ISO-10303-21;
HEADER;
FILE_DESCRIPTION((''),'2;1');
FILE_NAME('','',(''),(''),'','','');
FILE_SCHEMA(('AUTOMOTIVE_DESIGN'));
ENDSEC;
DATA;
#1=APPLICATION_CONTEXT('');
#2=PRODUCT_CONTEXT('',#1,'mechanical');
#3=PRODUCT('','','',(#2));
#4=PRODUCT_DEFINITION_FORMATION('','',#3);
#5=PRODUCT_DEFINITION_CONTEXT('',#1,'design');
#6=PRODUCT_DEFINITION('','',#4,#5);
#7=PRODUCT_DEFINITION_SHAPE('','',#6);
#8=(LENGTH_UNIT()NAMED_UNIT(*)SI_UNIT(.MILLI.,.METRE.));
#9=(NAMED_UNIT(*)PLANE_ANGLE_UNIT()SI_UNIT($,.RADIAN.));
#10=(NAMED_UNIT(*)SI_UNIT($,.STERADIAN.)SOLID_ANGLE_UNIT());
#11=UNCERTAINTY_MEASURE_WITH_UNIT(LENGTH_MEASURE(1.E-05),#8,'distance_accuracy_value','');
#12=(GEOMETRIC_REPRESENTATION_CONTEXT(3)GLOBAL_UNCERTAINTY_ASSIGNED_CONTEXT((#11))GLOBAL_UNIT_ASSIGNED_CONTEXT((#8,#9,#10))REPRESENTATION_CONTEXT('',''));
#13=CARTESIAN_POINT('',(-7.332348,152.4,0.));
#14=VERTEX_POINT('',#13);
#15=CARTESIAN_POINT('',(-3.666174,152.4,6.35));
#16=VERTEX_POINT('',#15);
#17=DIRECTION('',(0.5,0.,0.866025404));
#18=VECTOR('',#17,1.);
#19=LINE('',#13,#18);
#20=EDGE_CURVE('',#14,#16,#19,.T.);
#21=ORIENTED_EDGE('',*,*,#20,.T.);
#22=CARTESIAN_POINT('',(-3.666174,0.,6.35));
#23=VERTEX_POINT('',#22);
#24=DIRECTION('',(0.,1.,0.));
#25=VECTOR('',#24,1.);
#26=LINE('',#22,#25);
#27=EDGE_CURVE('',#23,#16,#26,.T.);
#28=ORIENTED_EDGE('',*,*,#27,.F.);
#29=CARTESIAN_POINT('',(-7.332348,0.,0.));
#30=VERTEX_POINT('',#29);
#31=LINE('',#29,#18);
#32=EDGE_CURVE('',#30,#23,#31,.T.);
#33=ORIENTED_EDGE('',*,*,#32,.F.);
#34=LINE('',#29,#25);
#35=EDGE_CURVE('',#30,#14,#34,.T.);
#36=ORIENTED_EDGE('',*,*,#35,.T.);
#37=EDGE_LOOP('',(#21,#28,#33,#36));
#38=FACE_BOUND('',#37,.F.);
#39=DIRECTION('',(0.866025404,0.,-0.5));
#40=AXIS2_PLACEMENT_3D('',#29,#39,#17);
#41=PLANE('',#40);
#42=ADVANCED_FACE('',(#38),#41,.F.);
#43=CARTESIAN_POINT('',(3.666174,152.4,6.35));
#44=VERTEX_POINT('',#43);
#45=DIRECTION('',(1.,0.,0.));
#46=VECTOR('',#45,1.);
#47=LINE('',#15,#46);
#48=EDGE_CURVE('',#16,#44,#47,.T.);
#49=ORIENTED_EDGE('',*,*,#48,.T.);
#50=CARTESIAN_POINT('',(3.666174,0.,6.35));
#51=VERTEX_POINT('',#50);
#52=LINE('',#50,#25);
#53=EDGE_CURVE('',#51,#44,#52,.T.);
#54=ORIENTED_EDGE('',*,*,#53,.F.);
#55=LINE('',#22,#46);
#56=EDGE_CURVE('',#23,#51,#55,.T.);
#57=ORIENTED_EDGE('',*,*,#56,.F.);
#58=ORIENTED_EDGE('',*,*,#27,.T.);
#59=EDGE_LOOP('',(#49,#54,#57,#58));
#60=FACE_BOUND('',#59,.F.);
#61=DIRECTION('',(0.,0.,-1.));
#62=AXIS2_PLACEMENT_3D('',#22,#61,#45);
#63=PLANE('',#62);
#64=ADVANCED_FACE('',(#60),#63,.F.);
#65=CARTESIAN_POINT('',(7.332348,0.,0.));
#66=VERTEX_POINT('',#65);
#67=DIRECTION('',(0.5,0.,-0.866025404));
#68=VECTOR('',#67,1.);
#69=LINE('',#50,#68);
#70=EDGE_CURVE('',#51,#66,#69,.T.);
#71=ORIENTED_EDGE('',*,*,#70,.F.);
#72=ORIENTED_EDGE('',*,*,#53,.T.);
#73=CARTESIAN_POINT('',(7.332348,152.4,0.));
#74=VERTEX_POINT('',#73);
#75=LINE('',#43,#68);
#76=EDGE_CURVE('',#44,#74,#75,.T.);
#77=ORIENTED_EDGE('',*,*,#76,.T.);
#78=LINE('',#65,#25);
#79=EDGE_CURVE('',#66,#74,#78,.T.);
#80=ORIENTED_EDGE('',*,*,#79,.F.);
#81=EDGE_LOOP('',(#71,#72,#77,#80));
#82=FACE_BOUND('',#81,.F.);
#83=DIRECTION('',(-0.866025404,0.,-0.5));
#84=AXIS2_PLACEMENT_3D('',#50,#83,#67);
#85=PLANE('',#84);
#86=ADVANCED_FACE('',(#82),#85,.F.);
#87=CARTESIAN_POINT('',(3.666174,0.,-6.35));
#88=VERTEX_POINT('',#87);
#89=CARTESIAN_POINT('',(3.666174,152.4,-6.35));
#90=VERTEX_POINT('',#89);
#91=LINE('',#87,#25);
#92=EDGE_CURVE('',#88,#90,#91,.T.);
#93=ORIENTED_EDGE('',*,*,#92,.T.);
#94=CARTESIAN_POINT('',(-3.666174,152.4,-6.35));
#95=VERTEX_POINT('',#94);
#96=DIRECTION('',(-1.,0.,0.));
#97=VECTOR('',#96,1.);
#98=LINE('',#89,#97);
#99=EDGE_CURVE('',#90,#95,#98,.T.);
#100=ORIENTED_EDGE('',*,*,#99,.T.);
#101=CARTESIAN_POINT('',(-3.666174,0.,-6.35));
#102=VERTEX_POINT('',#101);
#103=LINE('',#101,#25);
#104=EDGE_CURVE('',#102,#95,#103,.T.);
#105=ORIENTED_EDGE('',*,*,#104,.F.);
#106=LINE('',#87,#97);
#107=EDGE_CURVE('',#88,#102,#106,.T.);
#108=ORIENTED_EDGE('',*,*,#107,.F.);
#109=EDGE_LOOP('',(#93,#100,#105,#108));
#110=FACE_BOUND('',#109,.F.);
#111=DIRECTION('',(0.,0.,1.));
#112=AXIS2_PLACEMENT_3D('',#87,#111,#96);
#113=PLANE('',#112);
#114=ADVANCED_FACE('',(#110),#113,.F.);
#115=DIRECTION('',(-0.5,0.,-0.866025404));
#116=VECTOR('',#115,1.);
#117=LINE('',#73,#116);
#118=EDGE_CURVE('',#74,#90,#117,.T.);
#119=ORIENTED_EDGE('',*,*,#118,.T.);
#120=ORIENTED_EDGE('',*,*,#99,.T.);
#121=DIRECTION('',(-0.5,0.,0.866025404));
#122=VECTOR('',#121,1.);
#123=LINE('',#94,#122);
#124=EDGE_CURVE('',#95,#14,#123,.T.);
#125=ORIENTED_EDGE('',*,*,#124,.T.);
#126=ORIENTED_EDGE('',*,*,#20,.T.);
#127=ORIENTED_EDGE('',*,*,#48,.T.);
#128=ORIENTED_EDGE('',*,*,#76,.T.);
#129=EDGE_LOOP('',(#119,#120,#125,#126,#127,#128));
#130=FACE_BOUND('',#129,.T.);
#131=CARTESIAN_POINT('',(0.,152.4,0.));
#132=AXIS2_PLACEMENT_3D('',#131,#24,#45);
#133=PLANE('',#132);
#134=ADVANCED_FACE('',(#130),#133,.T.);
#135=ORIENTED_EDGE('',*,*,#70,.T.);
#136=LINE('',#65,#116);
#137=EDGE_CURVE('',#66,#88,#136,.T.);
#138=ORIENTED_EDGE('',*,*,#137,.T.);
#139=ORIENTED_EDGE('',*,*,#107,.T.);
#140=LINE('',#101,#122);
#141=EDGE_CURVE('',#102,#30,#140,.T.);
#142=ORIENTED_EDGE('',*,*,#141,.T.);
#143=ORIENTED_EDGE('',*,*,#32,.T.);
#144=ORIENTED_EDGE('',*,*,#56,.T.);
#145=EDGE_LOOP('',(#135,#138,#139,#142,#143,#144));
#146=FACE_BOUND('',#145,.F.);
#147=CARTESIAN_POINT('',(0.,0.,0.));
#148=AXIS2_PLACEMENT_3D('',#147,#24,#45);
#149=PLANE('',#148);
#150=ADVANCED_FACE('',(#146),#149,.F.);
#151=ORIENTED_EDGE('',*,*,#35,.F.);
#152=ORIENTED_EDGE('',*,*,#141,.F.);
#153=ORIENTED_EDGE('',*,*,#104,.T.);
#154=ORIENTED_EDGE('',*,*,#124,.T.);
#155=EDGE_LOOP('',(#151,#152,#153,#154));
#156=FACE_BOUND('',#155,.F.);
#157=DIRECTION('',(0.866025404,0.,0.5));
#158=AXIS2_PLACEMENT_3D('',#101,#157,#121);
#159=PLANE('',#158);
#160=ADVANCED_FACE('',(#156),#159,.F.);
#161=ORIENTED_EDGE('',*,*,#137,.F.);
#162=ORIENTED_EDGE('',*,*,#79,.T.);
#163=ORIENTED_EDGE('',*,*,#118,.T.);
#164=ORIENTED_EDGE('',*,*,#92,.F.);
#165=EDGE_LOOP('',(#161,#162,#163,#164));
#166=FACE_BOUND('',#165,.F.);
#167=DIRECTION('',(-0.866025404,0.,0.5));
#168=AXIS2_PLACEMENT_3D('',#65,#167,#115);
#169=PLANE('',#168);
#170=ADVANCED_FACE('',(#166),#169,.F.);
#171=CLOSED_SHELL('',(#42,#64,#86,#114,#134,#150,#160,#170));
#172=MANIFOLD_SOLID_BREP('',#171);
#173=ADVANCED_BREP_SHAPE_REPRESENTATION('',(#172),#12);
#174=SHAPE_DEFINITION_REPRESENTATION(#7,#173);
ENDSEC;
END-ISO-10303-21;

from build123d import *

# Parameters (mm, degrees)
BOSS_EXTRUDE1_DEPTH = 152.4


with BuildPart() as part:
    # Sketch1 → Boss-Extrude1 (new body)
    with BuildSketch(Plane(origin=(0, 0, 0), x_dir=(1, 0, 0), z_dir=(0, 1, 0))):
        Polygon((3.666174209, -6.35), (7.332348419, 0), (3.666174209, 6.35), (-3.666174209, 6.35), (-7.332348419, 0), (-3.666174209, -6.35), align=None)
    extrude(amount=BOSS_EXTRUDE1_DEPTH)


solid = part.part
